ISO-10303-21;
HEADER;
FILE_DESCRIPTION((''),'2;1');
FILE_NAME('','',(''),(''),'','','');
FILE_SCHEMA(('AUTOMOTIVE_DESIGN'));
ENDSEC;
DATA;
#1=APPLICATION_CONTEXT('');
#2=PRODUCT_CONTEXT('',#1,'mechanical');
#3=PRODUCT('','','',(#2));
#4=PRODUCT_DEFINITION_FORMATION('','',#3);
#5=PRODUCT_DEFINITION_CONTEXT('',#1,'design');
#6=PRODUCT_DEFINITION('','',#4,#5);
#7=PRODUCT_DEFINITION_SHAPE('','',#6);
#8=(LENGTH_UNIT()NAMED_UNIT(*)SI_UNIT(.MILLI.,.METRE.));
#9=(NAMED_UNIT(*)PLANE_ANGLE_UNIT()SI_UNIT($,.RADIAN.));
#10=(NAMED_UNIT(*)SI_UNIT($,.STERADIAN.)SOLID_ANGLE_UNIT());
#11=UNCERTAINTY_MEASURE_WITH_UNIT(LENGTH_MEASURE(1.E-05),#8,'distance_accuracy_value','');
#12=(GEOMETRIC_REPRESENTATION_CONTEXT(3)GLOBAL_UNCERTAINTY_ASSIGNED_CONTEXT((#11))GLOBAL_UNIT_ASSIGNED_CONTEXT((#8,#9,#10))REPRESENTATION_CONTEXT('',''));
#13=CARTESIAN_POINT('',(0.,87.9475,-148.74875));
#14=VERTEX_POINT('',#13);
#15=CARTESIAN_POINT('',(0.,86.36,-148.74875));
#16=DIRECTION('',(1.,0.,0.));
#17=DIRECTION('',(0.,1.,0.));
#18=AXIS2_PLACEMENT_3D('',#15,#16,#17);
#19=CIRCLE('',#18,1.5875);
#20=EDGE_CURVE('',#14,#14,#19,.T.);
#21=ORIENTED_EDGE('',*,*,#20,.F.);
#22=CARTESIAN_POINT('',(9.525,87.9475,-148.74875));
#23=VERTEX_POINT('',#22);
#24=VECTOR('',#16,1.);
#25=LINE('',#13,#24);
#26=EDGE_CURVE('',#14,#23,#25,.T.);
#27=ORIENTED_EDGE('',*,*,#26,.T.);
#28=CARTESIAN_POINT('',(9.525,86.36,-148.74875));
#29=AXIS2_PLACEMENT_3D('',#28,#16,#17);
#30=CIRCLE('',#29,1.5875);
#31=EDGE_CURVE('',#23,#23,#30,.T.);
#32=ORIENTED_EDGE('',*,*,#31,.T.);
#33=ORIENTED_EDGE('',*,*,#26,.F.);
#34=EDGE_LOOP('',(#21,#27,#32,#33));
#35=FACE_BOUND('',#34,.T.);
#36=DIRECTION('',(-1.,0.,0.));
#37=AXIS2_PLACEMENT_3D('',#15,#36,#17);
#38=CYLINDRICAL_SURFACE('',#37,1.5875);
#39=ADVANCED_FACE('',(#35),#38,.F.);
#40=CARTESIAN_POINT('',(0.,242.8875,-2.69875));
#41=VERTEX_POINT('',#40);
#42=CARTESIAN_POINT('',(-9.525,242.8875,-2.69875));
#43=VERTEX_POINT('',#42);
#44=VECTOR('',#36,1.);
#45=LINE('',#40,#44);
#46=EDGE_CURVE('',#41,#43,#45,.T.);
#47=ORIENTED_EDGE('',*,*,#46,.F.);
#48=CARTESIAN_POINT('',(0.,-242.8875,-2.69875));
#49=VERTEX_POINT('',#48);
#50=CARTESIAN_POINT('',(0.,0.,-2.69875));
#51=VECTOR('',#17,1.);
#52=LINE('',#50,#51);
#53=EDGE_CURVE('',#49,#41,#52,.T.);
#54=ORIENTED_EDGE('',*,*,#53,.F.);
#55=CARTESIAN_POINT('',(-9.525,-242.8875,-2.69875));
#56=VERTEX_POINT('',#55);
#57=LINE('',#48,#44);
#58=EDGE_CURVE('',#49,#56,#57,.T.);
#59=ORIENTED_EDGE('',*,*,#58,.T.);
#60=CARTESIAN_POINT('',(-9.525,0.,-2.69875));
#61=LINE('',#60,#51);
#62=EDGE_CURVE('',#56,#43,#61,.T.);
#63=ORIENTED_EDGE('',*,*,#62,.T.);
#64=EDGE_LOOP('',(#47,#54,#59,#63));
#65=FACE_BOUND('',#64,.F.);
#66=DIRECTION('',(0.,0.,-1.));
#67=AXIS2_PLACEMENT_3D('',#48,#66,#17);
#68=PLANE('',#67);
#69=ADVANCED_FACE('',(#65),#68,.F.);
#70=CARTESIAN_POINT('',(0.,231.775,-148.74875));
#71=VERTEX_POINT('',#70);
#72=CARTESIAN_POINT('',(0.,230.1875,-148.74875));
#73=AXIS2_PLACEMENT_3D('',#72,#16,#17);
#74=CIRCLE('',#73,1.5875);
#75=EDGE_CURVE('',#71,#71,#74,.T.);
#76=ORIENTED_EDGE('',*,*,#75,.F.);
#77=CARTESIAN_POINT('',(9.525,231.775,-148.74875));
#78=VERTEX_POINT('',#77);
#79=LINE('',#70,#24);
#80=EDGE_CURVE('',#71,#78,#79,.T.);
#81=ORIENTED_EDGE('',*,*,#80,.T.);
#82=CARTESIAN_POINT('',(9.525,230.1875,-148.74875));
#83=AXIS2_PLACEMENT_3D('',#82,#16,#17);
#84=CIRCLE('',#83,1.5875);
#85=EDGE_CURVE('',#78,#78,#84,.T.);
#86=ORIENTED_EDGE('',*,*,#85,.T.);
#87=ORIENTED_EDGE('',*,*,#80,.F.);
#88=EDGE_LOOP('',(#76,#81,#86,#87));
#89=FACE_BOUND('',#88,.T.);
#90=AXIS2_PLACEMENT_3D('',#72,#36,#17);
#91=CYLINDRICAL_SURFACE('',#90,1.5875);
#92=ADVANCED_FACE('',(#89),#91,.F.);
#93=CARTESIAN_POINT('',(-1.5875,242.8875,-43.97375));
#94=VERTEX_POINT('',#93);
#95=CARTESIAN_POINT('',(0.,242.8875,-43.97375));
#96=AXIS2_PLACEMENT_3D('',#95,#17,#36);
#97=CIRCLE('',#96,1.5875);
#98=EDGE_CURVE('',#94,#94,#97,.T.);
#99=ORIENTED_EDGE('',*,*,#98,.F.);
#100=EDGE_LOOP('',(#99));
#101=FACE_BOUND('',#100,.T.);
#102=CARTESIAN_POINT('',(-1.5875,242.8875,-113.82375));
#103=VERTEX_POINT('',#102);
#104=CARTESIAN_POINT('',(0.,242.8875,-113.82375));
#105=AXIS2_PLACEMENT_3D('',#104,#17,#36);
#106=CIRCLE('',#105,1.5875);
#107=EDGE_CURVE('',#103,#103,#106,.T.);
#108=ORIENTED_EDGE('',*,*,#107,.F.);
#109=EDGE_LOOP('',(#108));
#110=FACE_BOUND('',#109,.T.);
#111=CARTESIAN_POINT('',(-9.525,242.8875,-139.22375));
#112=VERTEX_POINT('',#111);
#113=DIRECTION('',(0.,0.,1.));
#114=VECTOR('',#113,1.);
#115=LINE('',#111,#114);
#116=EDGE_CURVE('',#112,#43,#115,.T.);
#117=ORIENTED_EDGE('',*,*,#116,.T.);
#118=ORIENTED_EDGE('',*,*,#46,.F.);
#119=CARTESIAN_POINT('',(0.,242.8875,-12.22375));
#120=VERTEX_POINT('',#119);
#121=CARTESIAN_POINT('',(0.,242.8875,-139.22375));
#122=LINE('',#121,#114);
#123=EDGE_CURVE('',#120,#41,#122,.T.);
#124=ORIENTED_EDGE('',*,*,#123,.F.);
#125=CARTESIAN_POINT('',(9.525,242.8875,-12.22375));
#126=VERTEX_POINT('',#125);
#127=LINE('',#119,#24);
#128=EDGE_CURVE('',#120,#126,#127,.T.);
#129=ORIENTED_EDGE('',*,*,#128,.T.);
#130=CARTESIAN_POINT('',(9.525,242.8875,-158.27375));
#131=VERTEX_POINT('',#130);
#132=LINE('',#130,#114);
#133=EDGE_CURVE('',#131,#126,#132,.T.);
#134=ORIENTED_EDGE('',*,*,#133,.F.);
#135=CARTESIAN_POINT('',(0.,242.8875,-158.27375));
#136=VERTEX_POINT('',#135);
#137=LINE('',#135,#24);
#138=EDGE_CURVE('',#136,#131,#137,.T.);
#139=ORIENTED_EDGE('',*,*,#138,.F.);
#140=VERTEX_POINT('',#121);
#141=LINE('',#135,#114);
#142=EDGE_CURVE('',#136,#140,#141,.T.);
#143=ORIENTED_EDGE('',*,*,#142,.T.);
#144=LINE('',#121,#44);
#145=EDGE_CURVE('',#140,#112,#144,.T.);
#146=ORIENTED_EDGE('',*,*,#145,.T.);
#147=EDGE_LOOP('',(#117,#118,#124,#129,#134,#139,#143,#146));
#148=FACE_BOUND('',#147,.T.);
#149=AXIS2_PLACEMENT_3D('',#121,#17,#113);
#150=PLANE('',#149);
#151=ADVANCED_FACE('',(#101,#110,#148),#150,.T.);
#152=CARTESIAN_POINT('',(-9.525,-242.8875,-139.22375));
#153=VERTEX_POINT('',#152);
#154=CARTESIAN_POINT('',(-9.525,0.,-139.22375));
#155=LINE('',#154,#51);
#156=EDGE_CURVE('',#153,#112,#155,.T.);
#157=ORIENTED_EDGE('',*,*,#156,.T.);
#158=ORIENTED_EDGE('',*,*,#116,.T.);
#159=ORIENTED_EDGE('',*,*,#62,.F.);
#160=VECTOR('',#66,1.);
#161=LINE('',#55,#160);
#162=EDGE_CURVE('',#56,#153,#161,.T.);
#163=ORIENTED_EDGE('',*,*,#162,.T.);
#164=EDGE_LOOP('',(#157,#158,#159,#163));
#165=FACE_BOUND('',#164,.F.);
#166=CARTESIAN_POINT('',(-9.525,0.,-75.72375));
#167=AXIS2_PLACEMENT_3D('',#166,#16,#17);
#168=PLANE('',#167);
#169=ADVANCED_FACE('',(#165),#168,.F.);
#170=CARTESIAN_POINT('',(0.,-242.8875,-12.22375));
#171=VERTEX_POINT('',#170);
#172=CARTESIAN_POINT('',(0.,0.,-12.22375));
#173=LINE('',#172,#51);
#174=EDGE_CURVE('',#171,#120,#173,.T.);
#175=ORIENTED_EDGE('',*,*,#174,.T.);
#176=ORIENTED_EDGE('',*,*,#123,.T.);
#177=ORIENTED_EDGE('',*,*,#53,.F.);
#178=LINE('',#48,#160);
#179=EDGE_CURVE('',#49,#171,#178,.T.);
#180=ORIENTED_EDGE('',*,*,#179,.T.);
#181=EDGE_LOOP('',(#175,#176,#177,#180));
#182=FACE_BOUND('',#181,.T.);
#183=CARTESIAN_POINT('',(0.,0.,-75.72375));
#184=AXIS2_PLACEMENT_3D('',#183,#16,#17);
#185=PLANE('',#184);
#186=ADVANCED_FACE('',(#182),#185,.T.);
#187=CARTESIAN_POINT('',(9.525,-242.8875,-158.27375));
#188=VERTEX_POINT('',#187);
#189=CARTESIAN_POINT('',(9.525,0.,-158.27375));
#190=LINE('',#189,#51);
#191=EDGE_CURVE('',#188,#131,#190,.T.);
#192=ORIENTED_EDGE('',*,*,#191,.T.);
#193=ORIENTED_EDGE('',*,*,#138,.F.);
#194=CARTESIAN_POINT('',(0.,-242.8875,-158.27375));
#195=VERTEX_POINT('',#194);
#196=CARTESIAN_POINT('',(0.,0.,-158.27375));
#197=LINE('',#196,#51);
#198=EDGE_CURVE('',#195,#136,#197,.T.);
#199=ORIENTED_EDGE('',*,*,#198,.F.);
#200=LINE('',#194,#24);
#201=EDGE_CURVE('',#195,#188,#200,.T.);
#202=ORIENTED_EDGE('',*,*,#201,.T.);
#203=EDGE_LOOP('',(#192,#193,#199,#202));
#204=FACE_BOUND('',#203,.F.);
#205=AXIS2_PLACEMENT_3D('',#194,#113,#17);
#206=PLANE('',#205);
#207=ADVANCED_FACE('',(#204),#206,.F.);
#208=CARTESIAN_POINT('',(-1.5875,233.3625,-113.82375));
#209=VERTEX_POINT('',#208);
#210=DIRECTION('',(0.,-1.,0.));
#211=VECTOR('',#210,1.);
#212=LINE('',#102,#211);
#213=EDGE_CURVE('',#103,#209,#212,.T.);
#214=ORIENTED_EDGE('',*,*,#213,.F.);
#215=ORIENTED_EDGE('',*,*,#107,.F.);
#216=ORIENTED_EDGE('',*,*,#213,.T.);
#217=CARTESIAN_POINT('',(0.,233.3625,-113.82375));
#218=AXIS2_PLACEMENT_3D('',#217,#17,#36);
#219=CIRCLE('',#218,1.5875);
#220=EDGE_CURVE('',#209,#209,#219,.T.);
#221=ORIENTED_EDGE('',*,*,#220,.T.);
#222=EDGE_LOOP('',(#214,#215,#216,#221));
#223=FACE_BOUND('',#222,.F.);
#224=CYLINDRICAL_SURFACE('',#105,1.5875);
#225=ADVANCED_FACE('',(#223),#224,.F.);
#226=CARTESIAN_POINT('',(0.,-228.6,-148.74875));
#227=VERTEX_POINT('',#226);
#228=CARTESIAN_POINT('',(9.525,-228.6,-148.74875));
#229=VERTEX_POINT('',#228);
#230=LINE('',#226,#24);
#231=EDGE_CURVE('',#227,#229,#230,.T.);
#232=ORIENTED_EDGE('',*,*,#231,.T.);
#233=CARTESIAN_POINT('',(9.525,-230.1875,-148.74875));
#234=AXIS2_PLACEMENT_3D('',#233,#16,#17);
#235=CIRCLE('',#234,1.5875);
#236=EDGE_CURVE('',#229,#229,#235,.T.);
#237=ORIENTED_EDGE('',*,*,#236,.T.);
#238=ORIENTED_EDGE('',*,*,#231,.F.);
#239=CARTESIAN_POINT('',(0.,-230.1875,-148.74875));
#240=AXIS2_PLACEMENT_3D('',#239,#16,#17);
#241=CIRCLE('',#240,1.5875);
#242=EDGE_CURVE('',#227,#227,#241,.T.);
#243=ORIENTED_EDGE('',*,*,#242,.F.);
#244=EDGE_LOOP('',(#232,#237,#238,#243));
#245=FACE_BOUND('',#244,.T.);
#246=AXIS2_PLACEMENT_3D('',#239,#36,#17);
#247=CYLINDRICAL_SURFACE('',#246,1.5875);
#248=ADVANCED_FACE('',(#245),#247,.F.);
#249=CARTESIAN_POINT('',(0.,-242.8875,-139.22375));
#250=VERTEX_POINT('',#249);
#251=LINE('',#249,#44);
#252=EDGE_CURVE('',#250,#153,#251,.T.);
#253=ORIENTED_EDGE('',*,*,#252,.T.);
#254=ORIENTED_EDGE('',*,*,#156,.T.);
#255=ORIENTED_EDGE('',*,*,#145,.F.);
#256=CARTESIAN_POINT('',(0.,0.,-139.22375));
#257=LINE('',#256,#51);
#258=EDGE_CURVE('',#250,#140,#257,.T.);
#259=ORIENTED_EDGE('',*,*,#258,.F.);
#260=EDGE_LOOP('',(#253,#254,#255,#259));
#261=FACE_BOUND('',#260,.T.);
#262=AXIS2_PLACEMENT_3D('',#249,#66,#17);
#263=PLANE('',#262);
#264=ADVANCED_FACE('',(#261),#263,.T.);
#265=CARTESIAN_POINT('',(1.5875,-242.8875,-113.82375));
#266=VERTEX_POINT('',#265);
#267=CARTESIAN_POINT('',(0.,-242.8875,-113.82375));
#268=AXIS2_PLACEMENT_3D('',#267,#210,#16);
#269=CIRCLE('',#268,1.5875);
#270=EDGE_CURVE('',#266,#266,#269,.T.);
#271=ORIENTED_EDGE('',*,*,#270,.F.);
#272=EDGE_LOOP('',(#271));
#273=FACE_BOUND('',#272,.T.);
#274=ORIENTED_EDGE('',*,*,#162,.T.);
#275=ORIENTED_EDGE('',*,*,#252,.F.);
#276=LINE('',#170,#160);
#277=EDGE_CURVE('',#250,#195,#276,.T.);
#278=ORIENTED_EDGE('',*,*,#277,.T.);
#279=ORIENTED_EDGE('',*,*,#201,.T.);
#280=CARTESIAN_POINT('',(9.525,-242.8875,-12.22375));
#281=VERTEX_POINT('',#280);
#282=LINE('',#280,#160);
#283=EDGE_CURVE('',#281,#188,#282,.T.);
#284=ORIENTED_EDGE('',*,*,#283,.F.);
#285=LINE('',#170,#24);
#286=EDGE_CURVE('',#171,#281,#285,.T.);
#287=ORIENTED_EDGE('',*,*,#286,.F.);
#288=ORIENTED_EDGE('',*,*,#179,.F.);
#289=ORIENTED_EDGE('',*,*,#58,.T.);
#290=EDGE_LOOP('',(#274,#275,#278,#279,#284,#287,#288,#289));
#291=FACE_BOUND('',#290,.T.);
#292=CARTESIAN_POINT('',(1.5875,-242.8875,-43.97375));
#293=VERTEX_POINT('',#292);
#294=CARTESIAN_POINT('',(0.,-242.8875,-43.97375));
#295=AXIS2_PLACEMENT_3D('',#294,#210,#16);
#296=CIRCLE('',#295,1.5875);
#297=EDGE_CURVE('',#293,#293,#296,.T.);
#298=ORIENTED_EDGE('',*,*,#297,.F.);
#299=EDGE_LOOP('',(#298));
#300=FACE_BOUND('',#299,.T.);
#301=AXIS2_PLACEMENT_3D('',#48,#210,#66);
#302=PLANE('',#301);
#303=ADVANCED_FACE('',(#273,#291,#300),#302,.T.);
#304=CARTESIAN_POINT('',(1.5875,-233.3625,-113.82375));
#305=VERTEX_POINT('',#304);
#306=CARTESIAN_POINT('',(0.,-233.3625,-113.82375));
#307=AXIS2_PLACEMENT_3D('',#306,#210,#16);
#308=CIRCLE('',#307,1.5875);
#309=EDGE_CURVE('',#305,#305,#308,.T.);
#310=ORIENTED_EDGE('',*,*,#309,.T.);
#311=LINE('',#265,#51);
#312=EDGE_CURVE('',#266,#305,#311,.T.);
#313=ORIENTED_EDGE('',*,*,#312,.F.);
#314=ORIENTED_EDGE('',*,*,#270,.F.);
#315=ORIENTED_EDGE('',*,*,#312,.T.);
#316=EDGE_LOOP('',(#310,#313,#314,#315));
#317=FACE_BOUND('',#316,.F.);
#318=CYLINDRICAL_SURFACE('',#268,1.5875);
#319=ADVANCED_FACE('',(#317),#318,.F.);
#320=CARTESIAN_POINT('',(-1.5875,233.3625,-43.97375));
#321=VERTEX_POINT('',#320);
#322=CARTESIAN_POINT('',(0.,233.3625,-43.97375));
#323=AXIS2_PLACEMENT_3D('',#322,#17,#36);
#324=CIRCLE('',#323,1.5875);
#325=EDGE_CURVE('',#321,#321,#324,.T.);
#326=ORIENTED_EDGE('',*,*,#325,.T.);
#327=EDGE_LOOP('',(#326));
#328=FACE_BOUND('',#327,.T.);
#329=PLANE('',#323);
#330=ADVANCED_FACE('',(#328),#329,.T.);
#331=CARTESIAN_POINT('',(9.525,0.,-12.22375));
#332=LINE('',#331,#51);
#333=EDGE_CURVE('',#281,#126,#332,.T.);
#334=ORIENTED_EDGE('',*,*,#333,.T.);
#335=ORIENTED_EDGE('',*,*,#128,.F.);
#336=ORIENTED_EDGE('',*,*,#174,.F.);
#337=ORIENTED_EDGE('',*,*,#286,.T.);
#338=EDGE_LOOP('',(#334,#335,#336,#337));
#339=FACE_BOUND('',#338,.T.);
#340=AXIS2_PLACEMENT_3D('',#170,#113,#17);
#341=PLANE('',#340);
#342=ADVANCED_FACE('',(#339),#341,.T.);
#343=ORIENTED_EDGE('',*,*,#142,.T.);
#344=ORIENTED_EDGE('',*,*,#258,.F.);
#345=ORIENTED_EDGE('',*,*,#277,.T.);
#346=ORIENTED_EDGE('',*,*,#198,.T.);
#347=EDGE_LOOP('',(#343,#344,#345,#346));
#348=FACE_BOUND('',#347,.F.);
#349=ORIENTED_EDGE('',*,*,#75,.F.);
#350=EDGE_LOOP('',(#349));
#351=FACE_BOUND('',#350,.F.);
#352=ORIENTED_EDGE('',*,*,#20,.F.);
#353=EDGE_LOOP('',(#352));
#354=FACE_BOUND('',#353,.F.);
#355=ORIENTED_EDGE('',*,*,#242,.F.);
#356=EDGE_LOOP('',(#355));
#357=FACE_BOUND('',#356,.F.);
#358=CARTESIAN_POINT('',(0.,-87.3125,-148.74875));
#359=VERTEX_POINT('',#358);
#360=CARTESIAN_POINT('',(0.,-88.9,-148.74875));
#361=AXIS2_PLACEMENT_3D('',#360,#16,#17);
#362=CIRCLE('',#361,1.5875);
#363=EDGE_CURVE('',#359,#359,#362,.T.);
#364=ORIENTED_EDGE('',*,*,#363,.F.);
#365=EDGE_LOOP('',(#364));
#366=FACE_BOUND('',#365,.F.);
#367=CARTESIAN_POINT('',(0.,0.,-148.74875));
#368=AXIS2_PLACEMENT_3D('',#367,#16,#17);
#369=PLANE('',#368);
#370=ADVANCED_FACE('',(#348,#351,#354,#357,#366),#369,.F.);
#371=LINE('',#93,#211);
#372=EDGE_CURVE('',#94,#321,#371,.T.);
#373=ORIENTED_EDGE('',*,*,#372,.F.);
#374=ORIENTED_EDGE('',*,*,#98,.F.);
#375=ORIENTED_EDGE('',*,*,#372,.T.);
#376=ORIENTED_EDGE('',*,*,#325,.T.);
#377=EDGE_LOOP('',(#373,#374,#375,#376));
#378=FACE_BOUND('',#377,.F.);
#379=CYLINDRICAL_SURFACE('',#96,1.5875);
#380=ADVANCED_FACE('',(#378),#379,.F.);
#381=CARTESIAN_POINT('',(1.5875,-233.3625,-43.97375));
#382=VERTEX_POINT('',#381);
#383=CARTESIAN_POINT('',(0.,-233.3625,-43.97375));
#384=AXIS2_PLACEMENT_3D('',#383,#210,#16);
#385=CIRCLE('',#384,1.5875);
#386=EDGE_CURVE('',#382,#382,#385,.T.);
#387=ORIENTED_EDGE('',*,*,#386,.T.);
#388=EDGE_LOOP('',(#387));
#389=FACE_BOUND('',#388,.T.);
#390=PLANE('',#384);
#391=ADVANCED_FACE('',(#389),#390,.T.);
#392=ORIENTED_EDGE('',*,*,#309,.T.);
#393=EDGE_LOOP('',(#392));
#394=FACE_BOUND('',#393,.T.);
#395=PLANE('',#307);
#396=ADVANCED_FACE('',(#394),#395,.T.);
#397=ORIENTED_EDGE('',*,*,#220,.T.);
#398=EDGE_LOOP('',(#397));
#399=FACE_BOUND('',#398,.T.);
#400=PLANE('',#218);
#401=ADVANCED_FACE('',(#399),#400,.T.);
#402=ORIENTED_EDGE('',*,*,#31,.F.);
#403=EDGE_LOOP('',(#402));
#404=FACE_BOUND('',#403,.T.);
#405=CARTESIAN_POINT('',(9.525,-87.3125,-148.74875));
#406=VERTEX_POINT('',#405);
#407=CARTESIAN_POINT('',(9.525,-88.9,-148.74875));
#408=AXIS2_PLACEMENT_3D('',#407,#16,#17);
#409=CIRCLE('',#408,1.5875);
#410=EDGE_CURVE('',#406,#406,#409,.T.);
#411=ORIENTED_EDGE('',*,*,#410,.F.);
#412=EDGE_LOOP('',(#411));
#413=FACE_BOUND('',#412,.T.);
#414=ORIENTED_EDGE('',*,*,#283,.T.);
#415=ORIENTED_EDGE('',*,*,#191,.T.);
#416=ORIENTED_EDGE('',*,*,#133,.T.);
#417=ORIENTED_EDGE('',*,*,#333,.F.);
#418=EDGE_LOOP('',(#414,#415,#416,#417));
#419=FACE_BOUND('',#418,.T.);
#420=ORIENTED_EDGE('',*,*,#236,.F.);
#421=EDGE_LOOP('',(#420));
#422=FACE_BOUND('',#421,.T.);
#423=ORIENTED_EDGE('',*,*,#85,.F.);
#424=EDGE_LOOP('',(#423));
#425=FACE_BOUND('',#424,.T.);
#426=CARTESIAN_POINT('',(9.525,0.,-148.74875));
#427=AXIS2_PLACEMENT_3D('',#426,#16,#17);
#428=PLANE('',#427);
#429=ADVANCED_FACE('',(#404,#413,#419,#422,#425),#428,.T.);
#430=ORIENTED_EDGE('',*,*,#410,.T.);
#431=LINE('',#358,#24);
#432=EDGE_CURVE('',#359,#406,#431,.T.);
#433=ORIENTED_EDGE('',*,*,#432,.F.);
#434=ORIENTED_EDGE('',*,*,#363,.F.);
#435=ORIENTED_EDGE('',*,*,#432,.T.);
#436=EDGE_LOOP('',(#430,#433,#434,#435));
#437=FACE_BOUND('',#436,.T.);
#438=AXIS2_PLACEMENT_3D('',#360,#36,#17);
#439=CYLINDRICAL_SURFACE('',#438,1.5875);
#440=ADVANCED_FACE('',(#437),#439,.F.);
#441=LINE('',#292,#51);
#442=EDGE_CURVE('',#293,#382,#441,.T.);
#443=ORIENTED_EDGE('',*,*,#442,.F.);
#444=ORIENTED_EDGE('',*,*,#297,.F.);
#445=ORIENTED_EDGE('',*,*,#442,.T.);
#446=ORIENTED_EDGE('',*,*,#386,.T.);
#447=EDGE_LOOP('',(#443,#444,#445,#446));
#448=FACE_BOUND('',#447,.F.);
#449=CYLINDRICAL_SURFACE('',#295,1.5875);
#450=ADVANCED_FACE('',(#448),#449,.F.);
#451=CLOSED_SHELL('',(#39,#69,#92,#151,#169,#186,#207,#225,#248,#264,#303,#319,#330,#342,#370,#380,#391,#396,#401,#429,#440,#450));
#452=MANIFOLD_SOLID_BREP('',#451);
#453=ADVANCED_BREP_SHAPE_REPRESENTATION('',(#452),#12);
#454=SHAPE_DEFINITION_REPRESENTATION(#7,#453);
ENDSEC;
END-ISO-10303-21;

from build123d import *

# Parameters (mm, degrees)
F0_W     = 485.775
F0_H     = 19.05
F0_R     = 1.5875
F0_H_2   = 127
F1_DEPTH = 9.525
F0_H_3   = 9.525
F2_DEPTH = 9.525
F4_R     = 1.5875
F5_DEPTH = 9.525
F3_R     = 1.5875
F6_DEPTH = 9.525


with BuildPart() as f1:
    # F0 (on Right) → F1 (new body)
    with BuildSketch(Plane.YZ):
        with Locations((0, -148.74875)):
            Rectangle(F0_W, F0_H)
        with Locations((-230.1875, -148.74875)):
            Circle(F0_R, mode=Mode.SUBTRACT)
        with Locations((-88.9, -148.74875)):
            Circle(F0_R, mode=Mode.SUBTRACT)
        with Locations((86.36, -148.74875)):
            Circle(F0_R, mode=Mode.SUBTRACT)
        with Locations((230.1875, -148.74875)):
            Circle(F0_R, mode=Mode.SUBTRACT)
        with Locations((0, -75.72375)):
            Rectangle(F0_W, F0_H_2)
        with BuildLine():
            Line((-50.8, -101.12375), (50.8, -101.12375))
            ThreePointArc((50.8, -101.12375), (57.15, -107.47375), (50.8, -113.82375))
            Line((50.8, -113.82375), (-50.8, -113.82375))
            ThreePointArc((-50.8, -113.82375), (-57.15, -107.47375), (-50.8, -101.12375))
        make_face(mode=Mode.SUBTRACT)
        with BuildLine():
            ThreePointArc((50.8, -113.82375), (57.15, -107.47375), (50.8, -101.12375))
            Line((50.8, -101.12375), (-50.8, -101.12375))
            ThreePointArc((-50.8, -101.12375), (-57.15, -107.47375), (-50.8, -113.82375))
            Line((-50.8, -113.82375), (50.8, -113.82375))
        make_face()
    extrude(amount=F1_DEPTH)

    # F0 (on Right) → F2 (join)
    with BuildSketch(Plane.YZ):
        with Locations((0, -75.72375)):
            Rectangle(F0_W, F0_H_2)
        with BuildLine():
            Line((-50.8, -101.12375), (50.8, -101.12375))
            ThreePointArc((50.8, -101.12375), (57.15, -107.47375), (50.8, -113.82375))
            Line((50.8, -113.82375), (-50.8, -113.82375))
            ThreePointArc((-50.8, -113.82375), (-57.15, -107.47375), (-50.8, -101.12375))
        make_face(mode=Mode.SUBTRACT)
        with Locations((0, -7.46125)):
            Rectangle(F0_W, F0_H_3)
        with BuildLine():
            ThreePointArc((50.8, -113.82375), (57.15, -107.47375), (50.8, -101.12375))
            Line((50.8, -101.12375), (-50.8, -101.12375))
            ThreePointArc((-50.8, -101.12375), (-57.15, -107.47375), (-50.8, -113.82375))
            Line((-50.8, -113.82375), (50.8, -113.82375))
        make_face()
    extrude(amount=-F2_DEPTH)

    # F4 (on face) → F5 (cut)
    with BuildSketch(Plane(origin=(0, 242.8875, 0), x_dir=(-1, 0, 0), z_dir=(0, 1, 0))):
        with Locations((0, -43.97375)):
            Circle(F4_R)
        with Locations((0, -113.82375)):
            Circle(F4_R)
    extrude(amount=-F5_DEPTH, mode=Mode.SUBTRACT)

    # F3 (on face) → F6 (cut)
    with BuildSketch(Plane.XZ.offset(242.8875)):
        with Locations((0, -113.82375)):
            Circle(F3_R)
        with Locations((0, -43.97375)):
            Circle(F3_R)
    extrude(amount=-F6_DEPTH, mode=Mode.SUBTRACT)


solid = f1.part
